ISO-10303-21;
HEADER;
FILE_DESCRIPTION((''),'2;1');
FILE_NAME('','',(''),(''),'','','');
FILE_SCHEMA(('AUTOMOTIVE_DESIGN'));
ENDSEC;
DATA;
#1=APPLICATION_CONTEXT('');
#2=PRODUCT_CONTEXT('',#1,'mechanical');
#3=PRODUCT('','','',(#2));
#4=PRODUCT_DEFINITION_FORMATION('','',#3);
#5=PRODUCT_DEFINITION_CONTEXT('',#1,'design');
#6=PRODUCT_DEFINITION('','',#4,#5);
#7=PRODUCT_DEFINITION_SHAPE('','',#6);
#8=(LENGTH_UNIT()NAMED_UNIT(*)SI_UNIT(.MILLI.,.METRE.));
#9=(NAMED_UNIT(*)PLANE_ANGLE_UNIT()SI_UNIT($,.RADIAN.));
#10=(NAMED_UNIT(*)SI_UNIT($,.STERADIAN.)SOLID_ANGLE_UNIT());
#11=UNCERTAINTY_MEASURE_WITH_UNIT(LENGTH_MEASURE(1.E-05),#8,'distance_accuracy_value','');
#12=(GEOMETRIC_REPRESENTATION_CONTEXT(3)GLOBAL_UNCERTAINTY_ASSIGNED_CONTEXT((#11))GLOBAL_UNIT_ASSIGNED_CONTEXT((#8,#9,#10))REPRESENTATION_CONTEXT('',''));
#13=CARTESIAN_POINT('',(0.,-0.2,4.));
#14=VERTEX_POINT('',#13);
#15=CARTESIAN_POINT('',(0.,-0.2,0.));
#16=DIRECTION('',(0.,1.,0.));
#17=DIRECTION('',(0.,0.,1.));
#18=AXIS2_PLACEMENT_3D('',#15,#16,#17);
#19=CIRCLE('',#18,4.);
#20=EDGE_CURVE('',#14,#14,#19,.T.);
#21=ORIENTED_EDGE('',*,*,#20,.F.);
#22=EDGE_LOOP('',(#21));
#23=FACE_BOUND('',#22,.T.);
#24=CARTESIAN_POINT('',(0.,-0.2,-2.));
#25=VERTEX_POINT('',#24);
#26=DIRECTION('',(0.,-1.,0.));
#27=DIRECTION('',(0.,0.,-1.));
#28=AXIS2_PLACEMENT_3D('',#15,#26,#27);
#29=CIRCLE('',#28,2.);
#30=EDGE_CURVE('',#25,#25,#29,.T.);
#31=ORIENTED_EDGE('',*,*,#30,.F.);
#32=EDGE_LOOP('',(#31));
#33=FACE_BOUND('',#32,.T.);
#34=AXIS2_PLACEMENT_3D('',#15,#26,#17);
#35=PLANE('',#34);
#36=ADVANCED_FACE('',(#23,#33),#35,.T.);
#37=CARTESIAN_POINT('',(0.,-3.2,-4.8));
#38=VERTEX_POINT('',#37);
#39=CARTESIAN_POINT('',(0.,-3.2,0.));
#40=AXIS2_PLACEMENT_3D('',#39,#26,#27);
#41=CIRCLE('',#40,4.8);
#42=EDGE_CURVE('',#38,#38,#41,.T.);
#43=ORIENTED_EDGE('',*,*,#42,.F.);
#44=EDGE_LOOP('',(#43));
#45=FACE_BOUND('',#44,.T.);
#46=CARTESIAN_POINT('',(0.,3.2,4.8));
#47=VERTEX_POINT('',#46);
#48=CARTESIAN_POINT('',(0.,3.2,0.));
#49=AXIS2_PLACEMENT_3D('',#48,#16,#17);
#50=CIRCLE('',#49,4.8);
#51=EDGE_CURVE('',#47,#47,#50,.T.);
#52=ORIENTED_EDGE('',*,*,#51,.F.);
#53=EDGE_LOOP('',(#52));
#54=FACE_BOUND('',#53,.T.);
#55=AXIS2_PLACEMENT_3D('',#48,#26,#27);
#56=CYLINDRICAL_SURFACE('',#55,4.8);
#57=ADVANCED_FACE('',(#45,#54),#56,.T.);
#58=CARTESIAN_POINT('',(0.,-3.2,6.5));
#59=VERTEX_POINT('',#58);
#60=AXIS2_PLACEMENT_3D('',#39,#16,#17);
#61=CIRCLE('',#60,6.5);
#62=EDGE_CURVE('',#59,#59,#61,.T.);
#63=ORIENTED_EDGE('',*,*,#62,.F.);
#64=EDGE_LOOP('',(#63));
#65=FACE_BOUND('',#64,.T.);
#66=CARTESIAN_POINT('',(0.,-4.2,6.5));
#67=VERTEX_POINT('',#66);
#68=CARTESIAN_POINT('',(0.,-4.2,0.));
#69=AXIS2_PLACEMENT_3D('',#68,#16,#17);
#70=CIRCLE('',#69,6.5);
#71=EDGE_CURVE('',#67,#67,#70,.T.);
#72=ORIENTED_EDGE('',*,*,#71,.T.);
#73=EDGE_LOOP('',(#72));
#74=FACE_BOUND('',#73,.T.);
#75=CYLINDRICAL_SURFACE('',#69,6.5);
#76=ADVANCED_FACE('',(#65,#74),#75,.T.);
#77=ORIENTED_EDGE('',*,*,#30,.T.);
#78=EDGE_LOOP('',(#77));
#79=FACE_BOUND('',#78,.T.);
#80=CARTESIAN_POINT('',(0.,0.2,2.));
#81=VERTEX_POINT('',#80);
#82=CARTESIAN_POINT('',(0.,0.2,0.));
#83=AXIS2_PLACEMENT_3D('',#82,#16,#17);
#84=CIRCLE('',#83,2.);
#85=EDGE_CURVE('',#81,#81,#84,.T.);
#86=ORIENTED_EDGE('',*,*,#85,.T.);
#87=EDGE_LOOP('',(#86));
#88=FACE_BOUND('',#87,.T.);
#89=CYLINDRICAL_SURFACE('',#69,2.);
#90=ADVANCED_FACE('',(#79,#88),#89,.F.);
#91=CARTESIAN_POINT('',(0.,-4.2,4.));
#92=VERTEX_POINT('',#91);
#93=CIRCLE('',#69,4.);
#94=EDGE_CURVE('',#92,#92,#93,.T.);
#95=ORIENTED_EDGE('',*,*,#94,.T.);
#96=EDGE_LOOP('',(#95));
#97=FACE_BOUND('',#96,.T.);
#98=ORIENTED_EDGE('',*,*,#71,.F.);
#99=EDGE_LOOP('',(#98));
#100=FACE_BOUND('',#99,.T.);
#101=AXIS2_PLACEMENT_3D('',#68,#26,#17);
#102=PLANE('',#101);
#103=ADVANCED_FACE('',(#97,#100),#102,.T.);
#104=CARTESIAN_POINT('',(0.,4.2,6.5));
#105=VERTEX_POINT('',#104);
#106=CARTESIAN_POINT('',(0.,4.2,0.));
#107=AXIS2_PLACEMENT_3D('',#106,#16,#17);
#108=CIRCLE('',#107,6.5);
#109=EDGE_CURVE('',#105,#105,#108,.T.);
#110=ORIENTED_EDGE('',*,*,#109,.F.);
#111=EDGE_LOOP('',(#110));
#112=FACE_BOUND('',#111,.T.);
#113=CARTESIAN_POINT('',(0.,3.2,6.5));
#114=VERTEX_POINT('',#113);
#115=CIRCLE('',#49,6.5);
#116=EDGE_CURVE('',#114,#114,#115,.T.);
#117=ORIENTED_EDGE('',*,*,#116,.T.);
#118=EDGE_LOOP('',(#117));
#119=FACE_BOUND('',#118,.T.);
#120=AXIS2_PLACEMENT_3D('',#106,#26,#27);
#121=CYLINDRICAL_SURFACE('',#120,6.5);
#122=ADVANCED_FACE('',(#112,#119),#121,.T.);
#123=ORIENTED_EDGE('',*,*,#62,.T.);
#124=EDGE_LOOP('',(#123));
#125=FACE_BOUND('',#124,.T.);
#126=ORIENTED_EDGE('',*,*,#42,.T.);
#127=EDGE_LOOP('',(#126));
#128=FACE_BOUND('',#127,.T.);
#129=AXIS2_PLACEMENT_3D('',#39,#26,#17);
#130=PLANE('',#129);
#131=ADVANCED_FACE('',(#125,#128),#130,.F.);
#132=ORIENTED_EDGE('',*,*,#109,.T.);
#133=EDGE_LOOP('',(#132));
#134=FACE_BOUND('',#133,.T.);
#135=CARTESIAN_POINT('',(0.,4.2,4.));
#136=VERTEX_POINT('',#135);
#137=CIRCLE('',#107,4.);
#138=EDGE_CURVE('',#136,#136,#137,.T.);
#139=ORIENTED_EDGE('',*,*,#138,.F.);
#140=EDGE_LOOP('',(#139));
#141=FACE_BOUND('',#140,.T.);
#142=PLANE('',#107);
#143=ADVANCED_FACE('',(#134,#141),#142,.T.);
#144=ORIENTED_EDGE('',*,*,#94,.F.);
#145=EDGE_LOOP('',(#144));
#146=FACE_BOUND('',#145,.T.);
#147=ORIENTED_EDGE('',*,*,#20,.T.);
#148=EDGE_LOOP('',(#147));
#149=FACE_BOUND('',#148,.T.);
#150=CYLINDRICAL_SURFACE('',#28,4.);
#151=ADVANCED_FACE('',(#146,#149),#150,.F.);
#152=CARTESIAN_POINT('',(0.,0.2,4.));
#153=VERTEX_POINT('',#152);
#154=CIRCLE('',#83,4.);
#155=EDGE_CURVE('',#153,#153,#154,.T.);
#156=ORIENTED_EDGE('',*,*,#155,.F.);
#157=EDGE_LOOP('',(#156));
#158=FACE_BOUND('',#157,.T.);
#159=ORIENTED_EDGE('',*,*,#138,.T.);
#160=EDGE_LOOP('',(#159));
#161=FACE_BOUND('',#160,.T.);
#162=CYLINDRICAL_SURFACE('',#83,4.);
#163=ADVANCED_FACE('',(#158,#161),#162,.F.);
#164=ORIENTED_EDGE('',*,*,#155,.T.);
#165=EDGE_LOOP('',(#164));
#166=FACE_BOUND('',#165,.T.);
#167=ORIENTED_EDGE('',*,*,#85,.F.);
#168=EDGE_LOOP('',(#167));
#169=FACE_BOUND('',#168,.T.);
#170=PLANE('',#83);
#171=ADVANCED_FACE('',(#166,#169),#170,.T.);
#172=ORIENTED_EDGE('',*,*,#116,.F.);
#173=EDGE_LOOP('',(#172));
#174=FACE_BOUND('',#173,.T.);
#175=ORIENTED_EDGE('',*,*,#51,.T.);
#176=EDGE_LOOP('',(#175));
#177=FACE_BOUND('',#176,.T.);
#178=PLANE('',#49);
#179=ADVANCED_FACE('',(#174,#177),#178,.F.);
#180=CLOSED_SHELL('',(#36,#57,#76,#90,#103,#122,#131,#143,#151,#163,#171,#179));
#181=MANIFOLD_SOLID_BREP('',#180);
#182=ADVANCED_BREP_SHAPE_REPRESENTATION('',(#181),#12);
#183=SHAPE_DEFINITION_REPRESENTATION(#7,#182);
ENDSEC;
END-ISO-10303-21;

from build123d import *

# Parameters (mm, degrees)
BASES_R        = 4.8
BASE_DEPTH     = 3.2
FLANGES_R      = 6.5
FLANGE_DEPTH   = 1
TOPBORES_R     = 4
TOPBORE_DEPTH  = 4
THRUHOLES_R    = 2
THRUHOLE_DEPTH = 5.4


with BuildPart() as part:
    # BaseS → Base (new body, symmetric)
    with BuildSketch(Plane(origin=(0, 0, 0), x_dir=(1, 0, 0), z_dir=(0, 1, 0))):
        Circle(BASES_R)
    extrude(amount=BASE_DEPTH, both=True)

    # FlangeS → Flange (add)
    with BuildSketch(Plane(origin=(0, 3.2, 0), x_dir=(1, 0, 0), z_dir=(0, 1, 0))):
        Circle(FLANGES_R)
    flange = extrude(amount=FLANGE_DEPTH)

    # TopBoreS → TopBore (cut)
    with BuildSketch(Plane(origin=(0, 4.2, 0), x_dir=(1, 0, 0), z_dir=(0, 1, 0))):
        Circle(TOPBORES_R)
    topbore = extrude(amount=-TOPBORE_DEPTH, mode=Mode.SUBTRACT)

    # BoreVM: Flange, TopBore across plane
    add(flange.mirror(Plane.ZX))
    add(topbore.mirror(Plane.ZX), mode=Mode.SUBTRACT)

    # ThruHoleS → ThruHole (cut, through all)
    with BuildSketch(Plane(origin=(0, 0.2, 0), x_dir=(1, 0, 0), z_dir=(0, 1, 0))):
        Circle(THRUHOLES_R)
    extrude(amount=-THRUHOLE_DEPTH, mode=Mode.SUBTRACT)


solid = part.part
